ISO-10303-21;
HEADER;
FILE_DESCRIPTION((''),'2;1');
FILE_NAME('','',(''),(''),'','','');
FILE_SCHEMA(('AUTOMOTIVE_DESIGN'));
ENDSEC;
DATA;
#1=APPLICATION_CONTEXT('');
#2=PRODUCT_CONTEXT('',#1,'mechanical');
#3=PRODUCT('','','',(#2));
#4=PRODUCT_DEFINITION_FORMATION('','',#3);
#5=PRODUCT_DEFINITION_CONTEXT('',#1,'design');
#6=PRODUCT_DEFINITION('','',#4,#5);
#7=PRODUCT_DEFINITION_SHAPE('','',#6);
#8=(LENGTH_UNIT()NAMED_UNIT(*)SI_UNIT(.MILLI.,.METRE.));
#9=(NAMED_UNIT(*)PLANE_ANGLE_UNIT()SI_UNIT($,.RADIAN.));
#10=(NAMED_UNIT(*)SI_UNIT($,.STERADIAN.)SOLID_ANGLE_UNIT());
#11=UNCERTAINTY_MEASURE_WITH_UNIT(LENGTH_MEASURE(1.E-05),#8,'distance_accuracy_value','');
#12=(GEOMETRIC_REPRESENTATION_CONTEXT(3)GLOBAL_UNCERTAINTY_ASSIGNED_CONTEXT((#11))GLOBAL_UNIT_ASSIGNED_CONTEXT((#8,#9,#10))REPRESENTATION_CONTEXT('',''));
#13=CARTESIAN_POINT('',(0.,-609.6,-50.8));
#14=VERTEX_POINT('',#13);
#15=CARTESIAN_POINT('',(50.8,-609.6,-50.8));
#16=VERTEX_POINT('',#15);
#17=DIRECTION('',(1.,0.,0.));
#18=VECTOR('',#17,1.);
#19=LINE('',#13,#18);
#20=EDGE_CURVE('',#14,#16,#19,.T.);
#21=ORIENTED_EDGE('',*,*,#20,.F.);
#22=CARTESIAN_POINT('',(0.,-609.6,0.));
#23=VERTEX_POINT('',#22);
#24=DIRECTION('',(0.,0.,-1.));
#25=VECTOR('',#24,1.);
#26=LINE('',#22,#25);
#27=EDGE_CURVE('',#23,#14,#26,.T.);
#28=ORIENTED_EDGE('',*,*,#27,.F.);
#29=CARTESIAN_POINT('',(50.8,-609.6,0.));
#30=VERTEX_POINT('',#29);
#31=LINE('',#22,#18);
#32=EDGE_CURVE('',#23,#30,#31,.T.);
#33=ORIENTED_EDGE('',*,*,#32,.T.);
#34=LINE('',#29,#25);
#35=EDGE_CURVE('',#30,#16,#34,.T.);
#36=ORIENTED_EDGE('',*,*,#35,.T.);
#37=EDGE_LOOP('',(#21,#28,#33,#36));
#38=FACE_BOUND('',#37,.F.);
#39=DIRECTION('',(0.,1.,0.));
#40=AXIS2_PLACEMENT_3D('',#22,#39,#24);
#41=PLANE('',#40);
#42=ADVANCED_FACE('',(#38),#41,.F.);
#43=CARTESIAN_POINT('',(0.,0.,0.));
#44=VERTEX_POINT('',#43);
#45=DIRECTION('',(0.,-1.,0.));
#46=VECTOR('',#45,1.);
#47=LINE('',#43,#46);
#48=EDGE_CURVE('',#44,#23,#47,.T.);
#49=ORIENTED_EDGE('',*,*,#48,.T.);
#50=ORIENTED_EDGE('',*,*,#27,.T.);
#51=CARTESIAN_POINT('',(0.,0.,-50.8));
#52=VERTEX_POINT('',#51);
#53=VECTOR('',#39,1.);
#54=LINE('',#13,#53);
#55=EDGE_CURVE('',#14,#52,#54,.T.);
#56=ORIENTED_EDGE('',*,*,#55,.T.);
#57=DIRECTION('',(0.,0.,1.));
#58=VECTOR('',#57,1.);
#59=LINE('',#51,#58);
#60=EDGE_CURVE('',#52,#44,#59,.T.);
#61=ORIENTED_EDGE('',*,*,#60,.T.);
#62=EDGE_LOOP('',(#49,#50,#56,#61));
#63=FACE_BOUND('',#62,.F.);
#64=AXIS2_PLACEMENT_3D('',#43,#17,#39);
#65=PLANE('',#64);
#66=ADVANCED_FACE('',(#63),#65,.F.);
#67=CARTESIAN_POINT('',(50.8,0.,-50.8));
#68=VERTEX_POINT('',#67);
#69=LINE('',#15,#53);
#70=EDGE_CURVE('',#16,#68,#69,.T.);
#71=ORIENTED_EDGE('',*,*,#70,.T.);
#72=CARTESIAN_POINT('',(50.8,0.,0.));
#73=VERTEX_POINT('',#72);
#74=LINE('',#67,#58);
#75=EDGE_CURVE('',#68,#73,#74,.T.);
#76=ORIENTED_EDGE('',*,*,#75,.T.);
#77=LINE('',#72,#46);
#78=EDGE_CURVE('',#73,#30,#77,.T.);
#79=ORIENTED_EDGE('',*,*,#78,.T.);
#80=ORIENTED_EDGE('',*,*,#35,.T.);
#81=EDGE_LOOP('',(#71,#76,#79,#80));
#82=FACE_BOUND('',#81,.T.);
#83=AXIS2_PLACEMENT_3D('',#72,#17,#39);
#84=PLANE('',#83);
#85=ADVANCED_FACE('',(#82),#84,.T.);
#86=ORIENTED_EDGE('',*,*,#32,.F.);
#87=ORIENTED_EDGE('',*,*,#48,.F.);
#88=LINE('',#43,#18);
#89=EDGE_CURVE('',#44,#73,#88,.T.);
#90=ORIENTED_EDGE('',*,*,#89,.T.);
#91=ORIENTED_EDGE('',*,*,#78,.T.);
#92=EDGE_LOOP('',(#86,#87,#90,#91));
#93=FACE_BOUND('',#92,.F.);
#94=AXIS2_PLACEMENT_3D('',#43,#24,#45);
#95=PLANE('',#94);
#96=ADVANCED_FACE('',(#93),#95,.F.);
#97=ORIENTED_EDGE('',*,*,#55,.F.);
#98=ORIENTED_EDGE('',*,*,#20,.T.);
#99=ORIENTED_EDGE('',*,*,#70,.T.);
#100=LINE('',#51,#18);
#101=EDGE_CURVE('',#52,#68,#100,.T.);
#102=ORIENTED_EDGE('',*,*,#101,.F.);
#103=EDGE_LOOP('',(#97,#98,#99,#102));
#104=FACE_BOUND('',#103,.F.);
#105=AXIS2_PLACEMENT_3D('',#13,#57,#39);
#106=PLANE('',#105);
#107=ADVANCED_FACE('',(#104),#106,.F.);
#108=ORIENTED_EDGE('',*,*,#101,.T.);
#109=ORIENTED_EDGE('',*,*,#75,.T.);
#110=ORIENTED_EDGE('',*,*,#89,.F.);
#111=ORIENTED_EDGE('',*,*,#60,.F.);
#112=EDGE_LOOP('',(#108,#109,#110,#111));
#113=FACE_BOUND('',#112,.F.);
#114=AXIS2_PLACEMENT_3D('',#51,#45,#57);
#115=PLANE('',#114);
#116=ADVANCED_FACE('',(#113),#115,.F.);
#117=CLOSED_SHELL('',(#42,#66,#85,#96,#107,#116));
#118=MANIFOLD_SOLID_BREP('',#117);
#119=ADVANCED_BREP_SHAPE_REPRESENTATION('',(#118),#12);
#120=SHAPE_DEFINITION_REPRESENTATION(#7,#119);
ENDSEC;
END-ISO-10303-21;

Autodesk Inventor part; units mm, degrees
ref_plane "YZ Plane" through (0, 0, 0) normal (1, 0, 0) x (0, 1, 0)
ref_plane "XZ Plane" through (0, 0, 0) normal (0, 1, 0) x (-1, 0, 0)
ref_plane "XY Plane" through (0, 0, 0) normal (0, 0, 1) x (1, 0, 0)
sketch "Sketch1" plane through (0, 0, 0) normal (1, 0, 0) x (0, 1, 0)
  line L0 (0, 0) -> (-609.6, 0)
  line L1 (-609.6, 0) -> (-609.6, -50.8)
  line L2 (-609.6, -50.8) -> (0, -50.8)
  line L3 (0, -50.8) -> (0, 0)
  dimension "d0" = 609.6
  dimension "d1" = 50.8
extrude "Extrusion1" add sketch "Sketch1" along normal blind 50.8
properties part number "rev1 base short wall v stud"
